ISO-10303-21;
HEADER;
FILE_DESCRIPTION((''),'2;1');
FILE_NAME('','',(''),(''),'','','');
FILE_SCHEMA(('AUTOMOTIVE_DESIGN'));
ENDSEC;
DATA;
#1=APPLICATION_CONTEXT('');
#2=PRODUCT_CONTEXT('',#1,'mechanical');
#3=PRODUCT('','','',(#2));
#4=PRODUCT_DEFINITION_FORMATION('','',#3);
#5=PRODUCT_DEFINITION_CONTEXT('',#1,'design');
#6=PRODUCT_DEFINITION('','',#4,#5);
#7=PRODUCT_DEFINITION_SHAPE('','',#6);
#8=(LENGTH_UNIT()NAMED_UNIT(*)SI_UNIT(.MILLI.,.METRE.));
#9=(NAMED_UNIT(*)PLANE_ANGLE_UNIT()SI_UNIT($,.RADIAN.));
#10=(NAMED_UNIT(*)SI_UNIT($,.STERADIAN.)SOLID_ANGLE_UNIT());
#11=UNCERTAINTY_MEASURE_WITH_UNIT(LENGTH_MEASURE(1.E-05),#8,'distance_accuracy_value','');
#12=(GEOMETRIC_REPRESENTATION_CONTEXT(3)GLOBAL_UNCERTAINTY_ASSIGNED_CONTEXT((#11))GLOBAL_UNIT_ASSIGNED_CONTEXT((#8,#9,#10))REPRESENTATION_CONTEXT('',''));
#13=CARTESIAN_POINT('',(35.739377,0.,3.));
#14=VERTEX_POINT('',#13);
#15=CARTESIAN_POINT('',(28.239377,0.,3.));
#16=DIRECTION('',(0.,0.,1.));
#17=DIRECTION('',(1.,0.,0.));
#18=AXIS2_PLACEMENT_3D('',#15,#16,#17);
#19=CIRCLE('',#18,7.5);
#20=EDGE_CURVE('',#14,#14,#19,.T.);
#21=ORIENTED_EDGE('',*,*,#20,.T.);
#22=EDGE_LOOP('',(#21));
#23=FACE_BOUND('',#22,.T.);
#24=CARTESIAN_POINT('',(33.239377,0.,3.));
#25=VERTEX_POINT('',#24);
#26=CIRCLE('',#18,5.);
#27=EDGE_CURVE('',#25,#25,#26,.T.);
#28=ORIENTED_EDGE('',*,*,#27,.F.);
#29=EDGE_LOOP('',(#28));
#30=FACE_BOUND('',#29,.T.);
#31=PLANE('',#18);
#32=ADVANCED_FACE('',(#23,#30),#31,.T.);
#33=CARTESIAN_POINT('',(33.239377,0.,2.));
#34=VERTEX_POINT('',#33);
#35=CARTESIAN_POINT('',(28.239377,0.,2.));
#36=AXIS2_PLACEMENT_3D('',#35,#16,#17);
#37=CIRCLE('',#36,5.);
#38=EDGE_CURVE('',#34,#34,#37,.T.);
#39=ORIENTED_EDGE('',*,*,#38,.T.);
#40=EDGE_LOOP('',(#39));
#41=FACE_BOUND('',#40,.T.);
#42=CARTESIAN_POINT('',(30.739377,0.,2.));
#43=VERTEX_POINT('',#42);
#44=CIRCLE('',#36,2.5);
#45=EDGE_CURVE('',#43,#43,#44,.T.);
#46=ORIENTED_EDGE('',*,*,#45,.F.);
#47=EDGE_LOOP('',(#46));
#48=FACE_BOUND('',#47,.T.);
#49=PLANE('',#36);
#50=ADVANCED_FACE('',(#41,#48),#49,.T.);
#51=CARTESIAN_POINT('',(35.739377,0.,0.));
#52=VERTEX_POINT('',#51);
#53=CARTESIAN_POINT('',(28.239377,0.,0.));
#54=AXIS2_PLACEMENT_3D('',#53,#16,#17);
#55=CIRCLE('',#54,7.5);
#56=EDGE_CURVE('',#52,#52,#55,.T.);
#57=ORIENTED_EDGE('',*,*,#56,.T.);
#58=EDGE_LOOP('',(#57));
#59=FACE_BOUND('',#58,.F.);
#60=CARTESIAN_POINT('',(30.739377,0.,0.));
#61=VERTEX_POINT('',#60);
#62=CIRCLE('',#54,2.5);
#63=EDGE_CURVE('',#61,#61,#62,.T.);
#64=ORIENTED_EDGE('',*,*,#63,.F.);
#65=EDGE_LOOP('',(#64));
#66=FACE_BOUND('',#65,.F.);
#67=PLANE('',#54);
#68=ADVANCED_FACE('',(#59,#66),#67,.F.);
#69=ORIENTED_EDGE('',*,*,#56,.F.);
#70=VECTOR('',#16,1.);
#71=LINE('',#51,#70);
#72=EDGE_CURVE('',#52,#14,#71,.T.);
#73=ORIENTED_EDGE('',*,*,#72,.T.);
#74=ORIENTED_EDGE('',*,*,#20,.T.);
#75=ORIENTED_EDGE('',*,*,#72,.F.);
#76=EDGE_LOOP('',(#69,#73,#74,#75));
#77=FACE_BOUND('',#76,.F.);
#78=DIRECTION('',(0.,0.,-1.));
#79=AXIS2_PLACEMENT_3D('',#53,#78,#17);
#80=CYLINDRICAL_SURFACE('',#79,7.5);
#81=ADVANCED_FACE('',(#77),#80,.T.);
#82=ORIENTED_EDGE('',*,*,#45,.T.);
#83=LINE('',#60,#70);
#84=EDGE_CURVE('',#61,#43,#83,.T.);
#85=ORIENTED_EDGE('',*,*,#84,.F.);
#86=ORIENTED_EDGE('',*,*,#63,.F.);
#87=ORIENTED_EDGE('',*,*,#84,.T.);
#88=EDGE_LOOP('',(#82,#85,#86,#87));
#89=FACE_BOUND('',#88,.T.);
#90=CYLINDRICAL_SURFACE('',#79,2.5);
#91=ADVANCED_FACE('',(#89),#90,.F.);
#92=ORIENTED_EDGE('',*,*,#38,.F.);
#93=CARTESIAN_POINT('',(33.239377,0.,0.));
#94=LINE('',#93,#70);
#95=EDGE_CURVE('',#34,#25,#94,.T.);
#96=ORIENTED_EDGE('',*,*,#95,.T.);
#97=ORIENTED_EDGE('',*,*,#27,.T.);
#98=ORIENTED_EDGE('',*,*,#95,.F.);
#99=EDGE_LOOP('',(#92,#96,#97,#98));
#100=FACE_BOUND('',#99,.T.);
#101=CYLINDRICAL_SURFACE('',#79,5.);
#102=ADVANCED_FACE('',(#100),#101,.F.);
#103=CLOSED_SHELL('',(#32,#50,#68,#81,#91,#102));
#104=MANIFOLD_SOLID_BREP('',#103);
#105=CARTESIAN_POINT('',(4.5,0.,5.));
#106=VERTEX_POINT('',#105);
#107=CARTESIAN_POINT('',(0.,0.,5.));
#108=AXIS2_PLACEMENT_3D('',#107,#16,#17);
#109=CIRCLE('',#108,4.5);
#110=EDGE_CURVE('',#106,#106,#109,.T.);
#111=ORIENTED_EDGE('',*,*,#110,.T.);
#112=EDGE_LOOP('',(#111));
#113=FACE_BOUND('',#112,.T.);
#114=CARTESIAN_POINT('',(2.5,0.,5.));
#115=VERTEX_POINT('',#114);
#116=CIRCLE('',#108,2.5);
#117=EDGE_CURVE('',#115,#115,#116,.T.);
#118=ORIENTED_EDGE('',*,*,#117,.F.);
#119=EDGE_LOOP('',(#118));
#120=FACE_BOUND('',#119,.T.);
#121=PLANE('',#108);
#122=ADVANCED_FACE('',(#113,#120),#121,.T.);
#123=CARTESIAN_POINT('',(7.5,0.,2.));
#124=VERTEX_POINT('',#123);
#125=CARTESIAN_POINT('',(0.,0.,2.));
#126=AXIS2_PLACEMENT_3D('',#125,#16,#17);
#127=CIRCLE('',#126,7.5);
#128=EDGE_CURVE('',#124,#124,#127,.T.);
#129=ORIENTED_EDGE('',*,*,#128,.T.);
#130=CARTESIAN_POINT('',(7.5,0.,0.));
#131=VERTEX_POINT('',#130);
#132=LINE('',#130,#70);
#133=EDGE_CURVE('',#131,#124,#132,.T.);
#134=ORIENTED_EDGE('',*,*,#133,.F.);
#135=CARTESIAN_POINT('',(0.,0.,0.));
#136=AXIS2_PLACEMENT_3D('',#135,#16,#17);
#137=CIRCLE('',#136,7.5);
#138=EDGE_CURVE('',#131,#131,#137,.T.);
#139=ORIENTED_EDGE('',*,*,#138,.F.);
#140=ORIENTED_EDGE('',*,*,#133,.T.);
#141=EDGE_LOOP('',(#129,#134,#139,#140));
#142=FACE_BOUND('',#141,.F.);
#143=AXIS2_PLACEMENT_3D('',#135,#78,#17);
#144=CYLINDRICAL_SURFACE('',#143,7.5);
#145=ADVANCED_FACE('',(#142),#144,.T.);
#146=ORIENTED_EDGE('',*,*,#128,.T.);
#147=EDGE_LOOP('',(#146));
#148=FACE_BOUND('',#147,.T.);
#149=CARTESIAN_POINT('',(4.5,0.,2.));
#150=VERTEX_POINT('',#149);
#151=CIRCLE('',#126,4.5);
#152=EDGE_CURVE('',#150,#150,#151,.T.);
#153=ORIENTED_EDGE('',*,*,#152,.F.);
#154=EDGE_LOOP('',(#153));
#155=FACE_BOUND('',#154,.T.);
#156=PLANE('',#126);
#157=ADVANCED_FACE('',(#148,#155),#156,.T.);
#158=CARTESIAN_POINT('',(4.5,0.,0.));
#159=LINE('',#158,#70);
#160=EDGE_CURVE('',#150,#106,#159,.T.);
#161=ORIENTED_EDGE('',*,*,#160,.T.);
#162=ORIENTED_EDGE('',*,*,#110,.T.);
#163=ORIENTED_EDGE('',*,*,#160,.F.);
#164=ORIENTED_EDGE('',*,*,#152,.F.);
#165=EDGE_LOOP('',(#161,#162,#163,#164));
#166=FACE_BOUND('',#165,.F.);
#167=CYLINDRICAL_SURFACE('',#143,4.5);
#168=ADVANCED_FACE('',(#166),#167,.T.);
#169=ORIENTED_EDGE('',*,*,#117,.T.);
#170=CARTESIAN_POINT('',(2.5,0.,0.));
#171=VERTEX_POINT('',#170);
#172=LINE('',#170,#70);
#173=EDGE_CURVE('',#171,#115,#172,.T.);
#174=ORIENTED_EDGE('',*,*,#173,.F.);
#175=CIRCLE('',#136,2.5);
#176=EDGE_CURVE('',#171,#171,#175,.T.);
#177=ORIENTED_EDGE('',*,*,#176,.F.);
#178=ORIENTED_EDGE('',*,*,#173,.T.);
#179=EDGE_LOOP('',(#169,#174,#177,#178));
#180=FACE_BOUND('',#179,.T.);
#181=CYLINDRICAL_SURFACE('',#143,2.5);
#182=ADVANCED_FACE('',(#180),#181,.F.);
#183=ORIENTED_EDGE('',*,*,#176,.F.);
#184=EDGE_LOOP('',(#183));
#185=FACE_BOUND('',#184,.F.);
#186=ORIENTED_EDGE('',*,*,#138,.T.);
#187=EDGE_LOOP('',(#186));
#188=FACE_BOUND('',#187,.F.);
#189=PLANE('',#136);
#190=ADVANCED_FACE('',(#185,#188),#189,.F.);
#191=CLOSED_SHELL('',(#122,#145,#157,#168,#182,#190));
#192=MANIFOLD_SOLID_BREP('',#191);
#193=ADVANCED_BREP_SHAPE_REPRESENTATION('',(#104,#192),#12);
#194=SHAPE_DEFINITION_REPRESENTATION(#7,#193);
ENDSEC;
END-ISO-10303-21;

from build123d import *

# Parameters (mm, degrees)
F0_R     = 5
F0_R_2   = 2.5
F1_DEPTH = 2
F0_R_3   = 7.5
F2_DEPTH = 3
F0_R_4   = 4.5
F3_DEPTH = 5
F4_DEPTH = 2


with BuildPart() as f1:
    # F0 (on Top) → F1 (new body)
    with BuildSketch(Plane.XY):
        with Locations((28.239377, 0)):
            Circle(F0_R)
        with Locations((28.239377, 0)):
            Circle(F0_R_2, mode=Mode.SUBTRACT)
    extrude(amount=F1_DEPTH)

    # F0 (on Top) → F2 (join)
    with BuildSketch(Plane.XY):
        with Locations((28.239377, 0)):
            Circle(F0_R_3)
        with Locations((28.239377, 0)):
            Circle(F0_R, mode=Mode.SUBTRACT)
    extrude(amount=F2_DEPTH)


with BuildPart() as f3:
    # F0 (on Top) → F3 (new body)
    with BuildSketch(Plane.XY):
        Circle(F0_R_4)
        Circle(F0_R_2, mode=Mode.SUBTRACT)
    extrude(amount=F3_DEPTH)

    # F0 (on Top) → F4 (join)
    with BuildSketch(Plane.XY):
        Circle(F0_R_3)
        Circle(F0_R_4, mode=Mode.SUBTRACT)
    extrude(amount=F4_DEPTH)


solid = Compound([f1.part, f3.part])
